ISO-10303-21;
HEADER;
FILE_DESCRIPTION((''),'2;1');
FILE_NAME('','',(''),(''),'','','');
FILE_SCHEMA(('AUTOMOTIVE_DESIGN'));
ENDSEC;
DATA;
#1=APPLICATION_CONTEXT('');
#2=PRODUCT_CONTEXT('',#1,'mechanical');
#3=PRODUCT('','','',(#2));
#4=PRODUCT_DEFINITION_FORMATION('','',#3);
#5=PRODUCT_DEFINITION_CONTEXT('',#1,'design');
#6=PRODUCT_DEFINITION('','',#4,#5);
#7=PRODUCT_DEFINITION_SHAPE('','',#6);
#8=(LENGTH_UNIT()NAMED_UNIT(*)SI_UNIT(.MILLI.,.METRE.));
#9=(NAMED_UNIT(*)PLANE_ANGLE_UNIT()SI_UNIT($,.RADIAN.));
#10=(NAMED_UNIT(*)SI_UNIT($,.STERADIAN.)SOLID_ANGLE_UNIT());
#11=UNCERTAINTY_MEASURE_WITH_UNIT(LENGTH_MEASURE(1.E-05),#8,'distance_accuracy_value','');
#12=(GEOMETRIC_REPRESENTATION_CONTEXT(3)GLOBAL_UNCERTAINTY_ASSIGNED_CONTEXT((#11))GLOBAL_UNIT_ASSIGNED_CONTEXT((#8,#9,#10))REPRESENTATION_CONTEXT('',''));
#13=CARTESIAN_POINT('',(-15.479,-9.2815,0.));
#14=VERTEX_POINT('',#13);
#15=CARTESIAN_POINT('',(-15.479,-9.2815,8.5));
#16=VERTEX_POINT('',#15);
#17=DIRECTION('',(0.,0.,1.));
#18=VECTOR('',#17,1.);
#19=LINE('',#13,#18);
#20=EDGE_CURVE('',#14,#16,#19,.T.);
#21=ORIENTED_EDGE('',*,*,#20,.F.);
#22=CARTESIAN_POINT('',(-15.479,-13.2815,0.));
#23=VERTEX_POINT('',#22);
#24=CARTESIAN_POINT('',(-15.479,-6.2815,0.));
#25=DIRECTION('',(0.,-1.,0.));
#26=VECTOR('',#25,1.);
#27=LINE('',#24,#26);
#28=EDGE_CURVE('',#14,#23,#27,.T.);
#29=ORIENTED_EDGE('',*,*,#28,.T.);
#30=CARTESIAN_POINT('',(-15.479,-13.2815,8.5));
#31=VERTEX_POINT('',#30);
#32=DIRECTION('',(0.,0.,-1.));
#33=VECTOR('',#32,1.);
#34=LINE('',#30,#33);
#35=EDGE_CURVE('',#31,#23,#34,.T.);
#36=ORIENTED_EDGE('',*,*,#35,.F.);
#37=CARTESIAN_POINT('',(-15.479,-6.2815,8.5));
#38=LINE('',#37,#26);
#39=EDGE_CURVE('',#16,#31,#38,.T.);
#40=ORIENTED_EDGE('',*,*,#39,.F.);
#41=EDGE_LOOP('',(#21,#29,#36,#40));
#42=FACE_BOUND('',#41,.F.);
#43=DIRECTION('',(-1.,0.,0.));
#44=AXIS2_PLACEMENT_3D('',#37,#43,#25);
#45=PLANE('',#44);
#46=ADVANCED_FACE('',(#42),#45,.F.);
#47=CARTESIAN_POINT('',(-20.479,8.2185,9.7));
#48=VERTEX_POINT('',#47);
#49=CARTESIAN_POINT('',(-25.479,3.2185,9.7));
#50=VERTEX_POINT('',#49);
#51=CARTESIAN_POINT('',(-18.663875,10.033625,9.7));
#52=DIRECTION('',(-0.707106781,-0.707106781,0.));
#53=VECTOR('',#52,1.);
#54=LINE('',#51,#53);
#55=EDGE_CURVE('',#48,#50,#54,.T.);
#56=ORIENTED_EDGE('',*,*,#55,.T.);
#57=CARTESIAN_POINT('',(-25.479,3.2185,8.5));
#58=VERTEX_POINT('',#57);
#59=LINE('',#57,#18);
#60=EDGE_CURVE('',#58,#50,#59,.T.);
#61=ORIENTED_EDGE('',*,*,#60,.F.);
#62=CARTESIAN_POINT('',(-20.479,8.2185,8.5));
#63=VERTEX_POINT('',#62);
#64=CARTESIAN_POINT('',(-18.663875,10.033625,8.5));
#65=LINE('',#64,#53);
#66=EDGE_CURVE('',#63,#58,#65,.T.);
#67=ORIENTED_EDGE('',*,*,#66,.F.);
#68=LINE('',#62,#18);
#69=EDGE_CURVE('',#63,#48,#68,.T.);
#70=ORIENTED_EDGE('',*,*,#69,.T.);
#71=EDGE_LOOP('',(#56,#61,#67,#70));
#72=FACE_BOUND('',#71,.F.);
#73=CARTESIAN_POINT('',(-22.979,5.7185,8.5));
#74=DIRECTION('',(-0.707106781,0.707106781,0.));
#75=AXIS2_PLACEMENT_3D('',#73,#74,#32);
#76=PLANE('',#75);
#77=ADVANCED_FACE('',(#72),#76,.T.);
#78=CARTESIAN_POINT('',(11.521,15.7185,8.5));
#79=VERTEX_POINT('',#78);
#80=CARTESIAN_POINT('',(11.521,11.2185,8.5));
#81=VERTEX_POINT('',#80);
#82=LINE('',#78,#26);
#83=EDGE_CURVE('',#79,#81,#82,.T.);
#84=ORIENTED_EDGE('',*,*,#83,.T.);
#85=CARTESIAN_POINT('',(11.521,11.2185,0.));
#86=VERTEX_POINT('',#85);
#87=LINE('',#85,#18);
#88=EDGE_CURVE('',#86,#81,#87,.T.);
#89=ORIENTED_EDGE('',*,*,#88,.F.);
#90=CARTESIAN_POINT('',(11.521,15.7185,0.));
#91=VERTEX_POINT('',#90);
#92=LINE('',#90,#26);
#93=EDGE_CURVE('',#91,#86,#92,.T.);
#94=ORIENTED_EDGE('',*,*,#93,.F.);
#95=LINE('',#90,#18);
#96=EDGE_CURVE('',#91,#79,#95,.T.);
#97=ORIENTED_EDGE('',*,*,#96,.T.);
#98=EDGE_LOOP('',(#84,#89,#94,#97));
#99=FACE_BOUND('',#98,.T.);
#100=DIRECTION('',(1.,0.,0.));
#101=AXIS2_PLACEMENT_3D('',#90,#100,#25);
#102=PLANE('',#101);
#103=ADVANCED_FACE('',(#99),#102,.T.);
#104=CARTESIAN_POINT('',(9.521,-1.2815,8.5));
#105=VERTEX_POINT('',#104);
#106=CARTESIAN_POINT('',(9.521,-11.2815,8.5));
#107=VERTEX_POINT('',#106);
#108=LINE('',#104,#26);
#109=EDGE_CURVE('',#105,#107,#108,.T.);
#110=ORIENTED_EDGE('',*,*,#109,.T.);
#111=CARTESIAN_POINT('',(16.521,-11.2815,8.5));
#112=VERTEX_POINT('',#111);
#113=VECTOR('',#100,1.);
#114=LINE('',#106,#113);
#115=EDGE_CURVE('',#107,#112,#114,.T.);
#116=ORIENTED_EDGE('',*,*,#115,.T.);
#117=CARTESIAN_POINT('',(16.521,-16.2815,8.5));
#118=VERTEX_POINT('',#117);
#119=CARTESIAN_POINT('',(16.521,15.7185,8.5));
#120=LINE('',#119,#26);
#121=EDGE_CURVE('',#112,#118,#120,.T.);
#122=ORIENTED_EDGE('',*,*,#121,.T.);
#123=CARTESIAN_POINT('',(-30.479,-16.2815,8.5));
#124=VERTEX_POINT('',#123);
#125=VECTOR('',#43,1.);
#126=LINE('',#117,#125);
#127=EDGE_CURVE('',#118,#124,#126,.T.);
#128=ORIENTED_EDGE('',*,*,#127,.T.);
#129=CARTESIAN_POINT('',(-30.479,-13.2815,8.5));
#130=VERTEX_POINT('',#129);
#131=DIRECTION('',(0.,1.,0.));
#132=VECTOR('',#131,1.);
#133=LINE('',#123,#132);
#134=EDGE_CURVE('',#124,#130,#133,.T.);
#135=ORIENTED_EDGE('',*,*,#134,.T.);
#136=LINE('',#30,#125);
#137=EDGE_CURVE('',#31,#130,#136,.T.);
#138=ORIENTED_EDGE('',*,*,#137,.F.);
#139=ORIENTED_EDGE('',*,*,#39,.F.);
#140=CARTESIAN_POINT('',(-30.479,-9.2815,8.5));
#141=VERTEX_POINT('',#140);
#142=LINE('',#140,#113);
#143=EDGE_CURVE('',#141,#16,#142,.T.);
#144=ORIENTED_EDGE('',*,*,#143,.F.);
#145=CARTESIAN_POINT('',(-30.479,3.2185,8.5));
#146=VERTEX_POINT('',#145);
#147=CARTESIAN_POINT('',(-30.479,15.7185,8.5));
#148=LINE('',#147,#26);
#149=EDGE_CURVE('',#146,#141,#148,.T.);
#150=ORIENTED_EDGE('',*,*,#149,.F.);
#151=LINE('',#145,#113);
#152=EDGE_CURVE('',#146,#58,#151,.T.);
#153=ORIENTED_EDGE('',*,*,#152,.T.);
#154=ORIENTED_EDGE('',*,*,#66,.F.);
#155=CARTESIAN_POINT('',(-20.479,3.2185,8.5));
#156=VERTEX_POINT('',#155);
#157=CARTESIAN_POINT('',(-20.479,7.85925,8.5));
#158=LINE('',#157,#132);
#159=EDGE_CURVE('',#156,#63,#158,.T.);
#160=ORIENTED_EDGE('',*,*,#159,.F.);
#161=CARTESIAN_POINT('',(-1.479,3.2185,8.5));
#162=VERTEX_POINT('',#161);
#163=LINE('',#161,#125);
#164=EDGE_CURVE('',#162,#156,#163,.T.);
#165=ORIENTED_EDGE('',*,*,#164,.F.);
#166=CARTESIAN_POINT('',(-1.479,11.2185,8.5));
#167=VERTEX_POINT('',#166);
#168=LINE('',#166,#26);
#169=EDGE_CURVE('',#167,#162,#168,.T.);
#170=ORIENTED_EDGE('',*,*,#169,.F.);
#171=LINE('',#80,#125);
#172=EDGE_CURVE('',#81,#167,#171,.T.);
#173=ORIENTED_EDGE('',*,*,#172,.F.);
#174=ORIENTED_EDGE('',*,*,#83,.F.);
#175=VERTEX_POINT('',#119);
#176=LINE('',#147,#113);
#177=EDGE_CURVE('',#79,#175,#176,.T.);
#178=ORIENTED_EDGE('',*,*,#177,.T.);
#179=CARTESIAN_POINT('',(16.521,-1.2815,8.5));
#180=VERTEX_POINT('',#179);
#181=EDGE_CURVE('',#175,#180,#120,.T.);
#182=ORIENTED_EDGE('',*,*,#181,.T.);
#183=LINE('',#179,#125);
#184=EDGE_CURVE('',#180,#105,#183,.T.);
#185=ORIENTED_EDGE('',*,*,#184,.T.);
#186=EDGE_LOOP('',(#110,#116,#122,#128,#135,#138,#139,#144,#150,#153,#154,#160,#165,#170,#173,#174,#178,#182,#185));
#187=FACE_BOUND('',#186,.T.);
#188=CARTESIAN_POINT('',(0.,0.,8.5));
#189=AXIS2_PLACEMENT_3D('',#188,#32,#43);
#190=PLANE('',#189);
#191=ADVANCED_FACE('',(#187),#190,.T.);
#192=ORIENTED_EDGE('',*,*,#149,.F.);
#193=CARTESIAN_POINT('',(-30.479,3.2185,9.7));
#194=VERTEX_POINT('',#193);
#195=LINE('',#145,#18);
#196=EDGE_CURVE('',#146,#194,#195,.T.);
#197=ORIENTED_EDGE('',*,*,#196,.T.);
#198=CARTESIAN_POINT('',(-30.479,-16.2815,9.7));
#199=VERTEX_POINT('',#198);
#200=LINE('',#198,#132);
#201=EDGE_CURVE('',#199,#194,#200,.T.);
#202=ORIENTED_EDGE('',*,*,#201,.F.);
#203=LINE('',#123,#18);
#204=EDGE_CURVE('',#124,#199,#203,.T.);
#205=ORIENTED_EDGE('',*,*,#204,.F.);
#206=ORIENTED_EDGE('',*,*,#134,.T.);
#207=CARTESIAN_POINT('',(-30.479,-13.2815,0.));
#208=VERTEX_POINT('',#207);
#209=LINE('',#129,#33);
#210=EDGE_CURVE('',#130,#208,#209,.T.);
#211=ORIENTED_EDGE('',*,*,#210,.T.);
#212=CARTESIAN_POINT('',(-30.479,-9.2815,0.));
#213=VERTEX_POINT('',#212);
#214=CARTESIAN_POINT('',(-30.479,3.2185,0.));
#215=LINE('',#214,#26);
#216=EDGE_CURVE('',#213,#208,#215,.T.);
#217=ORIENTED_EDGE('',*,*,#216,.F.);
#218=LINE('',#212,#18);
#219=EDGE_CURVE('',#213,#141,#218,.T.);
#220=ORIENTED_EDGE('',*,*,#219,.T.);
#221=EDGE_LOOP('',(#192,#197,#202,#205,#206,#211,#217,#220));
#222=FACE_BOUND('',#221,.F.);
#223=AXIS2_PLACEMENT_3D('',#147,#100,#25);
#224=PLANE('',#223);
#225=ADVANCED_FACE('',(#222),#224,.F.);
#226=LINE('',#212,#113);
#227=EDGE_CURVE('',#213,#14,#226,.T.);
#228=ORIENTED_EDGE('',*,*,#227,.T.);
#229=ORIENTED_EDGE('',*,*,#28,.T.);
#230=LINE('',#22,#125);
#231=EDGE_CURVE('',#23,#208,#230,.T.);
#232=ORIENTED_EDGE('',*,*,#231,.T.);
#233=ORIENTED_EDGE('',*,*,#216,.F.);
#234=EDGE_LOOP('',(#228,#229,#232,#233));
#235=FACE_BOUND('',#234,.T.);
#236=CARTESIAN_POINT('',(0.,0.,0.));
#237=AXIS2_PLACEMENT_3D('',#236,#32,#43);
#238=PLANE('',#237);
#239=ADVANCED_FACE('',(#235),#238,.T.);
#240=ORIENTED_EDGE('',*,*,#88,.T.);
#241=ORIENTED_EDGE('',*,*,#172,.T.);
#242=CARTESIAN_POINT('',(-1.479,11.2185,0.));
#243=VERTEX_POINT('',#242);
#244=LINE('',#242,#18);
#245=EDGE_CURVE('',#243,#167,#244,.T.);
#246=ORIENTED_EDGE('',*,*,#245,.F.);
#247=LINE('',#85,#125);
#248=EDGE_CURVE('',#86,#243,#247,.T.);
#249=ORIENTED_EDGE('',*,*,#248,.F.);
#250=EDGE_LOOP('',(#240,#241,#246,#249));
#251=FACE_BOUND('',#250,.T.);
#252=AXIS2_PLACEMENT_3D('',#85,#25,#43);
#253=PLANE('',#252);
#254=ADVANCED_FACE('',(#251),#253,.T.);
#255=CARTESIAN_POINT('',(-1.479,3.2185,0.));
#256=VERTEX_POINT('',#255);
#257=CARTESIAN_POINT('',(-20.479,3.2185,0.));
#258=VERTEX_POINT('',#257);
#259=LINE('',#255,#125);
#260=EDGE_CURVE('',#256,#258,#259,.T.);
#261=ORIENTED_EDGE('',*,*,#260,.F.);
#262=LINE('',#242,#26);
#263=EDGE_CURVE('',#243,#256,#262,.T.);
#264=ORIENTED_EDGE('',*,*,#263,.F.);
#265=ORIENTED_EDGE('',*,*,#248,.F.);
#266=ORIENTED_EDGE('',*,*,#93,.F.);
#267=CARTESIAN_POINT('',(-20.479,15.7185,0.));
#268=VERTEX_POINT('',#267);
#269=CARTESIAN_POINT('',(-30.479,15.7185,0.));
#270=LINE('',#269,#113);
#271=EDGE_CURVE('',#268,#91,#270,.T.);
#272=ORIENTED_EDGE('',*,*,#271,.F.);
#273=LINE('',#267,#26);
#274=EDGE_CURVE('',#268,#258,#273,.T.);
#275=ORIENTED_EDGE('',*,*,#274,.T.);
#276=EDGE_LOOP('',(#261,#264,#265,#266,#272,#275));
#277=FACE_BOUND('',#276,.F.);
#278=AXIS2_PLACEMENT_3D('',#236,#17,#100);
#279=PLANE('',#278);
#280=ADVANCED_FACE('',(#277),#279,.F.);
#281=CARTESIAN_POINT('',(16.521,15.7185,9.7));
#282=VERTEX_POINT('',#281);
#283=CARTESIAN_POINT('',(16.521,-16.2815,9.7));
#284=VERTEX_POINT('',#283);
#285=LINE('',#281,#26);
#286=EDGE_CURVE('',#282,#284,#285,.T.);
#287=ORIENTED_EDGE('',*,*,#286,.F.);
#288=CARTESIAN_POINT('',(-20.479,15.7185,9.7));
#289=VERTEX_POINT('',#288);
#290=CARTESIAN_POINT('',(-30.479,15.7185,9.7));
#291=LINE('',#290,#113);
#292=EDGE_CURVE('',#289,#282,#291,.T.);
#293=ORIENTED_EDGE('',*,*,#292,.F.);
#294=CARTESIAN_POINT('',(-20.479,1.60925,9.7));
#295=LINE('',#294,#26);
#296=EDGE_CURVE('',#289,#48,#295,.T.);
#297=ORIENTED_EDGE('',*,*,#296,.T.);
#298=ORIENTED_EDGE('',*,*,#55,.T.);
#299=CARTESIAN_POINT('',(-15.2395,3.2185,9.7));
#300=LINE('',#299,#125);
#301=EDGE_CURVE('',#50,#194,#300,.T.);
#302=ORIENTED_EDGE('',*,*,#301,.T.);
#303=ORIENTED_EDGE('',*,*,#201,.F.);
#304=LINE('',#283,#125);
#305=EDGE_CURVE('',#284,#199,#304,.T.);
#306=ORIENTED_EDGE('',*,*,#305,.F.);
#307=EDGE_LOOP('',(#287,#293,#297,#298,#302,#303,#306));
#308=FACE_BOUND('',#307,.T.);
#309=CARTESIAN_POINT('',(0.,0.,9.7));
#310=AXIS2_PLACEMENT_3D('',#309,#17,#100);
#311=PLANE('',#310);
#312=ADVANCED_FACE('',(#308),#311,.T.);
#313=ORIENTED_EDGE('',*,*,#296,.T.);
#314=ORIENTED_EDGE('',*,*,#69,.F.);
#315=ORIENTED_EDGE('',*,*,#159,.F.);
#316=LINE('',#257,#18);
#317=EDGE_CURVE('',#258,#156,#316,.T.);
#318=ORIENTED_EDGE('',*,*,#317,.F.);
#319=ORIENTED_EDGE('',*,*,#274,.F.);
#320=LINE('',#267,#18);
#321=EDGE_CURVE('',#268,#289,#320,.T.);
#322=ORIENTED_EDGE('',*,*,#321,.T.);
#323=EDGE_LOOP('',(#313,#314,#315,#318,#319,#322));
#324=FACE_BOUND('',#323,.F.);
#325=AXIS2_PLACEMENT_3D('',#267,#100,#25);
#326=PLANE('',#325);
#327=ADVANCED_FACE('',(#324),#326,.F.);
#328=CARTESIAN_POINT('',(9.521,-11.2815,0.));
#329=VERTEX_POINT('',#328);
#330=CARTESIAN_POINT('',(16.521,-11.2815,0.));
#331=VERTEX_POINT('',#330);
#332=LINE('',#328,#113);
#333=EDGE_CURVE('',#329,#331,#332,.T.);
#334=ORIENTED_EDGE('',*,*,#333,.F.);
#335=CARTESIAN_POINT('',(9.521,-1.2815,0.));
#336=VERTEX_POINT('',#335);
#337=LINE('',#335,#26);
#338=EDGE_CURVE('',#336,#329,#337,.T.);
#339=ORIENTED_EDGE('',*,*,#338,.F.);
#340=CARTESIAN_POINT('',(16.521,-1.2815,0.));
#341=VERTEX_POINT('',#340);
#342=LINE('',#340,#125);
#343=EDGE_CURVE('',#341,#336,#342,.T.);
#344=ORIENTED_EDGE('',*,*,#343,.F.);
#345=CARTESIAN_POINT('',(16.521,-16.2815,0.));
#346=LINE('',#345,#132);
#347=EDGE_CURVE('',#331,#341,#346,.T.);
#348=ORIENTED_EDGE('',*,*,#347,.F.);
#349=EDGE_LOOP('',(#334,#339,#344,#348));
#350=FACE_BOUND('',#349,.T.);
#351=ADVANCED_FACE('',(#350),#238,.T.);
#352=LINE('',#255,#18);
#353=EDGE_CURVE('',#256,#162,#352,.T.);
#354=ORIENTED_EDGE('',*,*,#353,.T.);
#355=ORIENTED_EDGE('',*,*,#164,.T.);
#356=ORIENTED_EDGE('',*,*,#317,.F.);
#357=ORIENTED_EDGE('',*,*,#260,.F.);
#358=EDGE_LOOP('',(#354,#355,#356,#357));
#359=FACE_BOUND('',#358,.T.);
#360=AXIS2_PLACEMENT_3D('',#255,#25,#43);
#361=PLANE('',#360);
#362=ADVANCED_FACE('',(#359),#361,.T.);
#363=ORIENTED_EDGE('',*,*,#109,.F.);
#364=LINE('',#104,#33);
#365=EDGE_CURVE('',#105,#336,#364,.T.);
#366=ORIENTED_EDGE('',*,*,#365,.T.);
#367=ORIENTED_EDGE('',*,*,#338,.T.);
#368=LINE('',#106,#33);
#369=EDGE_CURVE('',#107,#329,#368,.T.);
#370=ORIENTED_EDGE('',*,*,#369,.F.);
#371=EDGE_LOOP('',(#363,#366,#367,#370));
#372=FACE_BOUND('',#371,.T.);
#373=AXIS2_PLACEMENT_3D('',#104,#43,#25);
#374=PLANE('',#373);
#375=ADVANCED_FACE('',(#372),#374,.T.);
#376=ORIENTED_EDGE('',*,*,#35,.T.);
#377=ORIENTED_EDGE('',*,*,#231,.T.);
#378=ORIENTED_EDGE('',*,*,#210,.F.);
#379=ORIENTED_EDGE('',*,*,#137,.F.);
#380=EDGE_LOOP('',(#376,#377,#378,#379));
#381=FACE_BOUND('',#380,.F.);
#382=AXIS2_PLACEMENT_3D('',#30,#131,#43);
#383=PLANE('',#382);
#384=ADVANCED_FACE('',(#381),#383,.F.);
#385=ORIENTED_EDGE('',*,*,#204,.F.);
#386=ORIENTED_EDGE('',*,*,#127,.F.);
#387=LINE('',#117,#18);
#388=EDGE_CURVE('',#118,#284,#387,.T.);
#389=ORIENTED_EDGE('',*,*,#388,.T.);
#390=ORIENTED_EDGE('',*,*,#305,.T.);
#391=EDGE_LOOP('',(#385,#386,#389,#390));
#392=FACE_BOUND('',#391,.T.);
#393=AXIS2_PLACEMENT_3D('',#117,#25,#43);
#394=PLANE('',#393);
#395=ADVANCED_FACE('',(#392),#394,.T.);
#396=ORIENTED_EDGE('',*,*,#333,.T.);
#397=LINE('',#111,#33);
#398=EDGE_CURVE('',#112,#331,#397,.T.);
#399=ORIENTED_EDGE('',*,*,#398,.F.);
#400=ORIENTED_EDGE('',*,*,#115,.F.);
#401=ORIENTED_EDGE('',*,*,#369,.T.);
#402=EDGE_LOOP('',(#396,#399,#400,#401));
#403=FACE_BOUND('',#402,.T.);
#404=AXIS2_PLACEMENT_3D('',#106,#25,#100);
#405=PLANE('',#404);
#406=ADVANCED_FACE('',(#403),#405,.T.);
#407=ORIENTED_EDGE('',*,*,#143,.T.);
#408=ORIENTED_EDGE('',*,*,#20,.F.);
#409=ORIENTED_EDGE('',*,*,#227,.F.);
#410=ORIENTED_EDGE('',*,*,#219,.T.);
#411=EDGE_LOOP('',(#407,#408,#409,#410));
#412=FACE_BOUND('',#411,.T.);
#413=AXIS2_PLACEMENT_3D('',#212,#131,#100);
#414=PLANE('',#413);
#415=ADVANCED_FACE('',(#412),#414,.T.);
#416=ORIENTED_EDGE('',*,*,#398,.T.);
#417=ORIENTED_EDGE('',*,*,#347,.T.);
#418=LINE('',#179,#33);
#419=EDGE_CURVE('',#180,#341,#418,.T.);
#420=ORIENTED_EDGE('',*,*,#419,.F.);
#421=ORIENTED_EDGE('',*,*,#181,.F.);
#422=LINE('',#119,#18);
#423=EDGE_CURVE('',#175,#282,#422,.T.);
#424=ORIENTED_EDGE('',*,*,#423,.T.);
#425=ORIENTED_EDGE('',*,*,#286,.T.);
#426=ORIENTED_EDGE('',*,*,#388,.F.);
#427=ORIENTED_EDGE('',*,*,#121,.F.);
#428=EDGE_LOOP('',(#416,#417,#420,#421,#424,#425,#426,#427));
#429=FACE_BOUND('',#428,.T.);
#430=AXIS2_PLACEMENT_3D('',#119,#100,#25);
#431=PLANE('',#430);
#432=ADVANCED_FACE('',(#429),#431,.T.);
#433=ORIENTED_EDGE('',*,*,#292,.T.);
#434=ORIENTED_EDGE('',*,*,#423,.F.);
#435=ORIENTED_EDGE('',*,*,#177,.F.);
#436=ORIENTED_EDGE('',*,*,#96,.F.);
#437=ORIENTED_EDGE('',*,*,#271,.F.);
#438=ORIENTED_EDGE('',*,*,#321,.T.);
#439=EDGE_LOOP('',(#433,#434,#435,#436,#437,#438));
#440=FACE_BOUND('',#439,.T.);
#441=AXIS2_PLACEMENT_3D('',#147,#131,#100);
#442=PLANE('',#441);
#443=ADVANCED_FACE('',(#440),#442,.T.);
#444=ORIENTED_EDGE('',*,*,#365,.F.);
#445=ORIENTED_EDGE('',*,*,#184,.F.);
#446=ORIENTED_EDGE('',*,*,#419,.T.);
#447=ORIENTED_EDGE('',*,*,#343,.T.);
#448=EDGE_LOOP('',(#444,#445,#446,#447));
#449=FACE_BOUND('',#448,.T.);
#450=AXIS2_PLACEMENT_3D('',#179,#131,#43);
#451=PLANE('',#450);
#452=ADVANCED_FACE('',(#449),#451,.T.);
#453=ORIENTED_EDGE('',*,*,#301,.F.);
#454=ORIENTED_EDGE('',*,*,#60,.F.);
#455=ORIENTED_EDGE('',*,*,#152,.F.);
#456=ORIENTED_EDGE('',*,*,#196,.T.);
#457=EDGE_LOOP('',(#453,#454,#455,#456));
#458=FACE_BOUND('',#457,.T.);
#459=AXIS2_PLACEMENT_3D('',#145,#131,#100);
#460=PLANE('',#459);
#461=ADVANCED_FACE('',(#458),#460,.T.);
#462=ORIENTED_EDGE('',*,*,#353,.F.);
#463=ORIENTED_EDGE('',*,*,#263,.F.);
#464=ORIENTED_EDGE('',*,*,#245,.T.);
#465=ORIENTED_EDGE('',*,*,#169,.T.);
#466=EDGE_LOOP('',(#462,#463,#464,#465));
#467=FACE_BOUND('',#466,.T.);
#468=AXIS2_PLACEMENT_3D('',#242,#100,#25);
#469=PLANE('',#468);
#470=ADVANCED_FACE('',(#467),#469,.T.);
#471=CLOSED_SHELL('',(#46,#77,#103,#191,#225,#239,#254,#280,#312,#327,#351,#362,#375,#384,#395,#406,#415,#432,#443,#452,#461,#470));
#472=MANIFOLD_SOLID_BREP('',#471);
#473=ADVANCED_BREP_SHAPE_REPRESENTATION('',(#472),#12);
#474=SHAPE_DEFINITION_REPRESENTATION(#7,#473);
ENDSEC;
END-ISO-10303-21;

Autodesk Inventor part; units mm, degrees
ref_plane "YZ Plane" through (0, 0, 0) normal (1, 0, 0) x (0, 1, 0)
ref_plane "XZ Plane" through (0, 0, 0) normal (0, 1, 0) x (-1, 0, 0)
ref_plane "XY Plane" through (0, 0, 0) normal (0, 0, 1) x (1, 0, 0)
sketch "Sketch1" plane through (0, 0, 0) normal (0, 0, 1) x (1, 0, 0)
  line L0 (-30.479, 15.7185) -> (11.521, 15.7185)
  line L1 (11.521, 15.7185) -> (11.521, 11.2185)
  line L2 (11.521, 11.2185) -> (-30.479, 11.2185)
  line L3 (-30.479, 11.2185) -> (-30.479, 15.7185)
  line L4 (-30.479, 11.2185) -> (-1.479, 11.2185)
  line L5 (-1.479, 11.2185) -> (-1.479, 3.2185)
  line L6 (-1.479, 3.2185) -> (-30.479, 3.2185)
  line L7 (-30.479, 3.2185) -> (-30.479, 11.2185)
  point P0 (0, 0)
  point P1 (-1.479, 11.2185)
  dimension "d0" = 42
  dimension "d1" = 4.5
  dimension "d2" = 29
  dimension "d3" = 8
extrude "Extrusion1" add sketch "Sketch1" along normal blind 8.5
sketch "Sketch2" plane through (0, 0, 8.5) normal (0, 0, 1) x (1, 0, 0)
  line L0 (-30.479, 15.7185) -> (-30.479, 3.2185) projected
  line L1 (-30.479, 15.7185) -> (16.521, 15.7185)
  line L2 (16.521, 15.7185) -> (16.521, -16.2815)
  line L3 (16.521, -16.2815) -> (-30.479, -16.2815)
  line L4 (-30.479, -16.2815) -> (-30.479, 15.7185)
  point P0 (0, 0)
  dimension "d6" = 47
  dimension "d7" = 32
extrude "Extrusion2" add sketch "Sketch2" along normal blind 1.2
sketch "Sketch3" plane through (0, 0, 8.5) normal (0, 0, -1) x (-1, 0, 0)
  line L0 (30.479, 3.2185) -> (30.479, -16.2815) projected
  line L1 (30.479, -6.2815) -> (15.479, -6.2815)
  line L2 (15.479, -6.2815) -> (15.479, -13.2815)
  line L3 (15.479, -13.2815) -> (30.479, -13.2815)
  line L4 (30.479, -13.2815) -> (30.479, -6.2815)
  line L5 (30.479, -16.2815) -> (-16.521, -16.2815) projected
  point P0 (0, 0)
  dimension "d10" = 3
  dimension "d11" = 7
  dimension "d12" = 15
extrude "Extrusion3" add sketch "Sketch3" along normal blind 8.5
sketch "Sketch4" plane through (0, 0, 8.5) normal (0, 0, -1) x (-1, 0, 0)
  line L0 (-16.521, -16.2815) -> (-16.521, 15.7185) projected
  line L1 (-16.521, -1.2815) -> (-9.521, -1.2815)
  line L2 (-9.521, -1.2815) -> (-9.521, -11.2815)
  line L3 (-9.521, -11.2815) -> (-16.521, -11.2815)
  line L4 (-16.521, -11.2815) -> (-16.521, -1.2815)
  line L5 (30.479, -16.2815) -> (-16.521, -16.2815) projected
  point P0 (0, 0)
  dimension "d15" = 7
  dimension "d16" = 10
  dimension "d17" = 5
extrude "Extrusion4" add sketch "Sketch4" along normal blind 8.5
sketch "Sketch5" plane through (0, 0, 0) normal (0, 0, -1) x (-1, 0, 0)
  line L0 (-16.521, 15.7185) -> (30.479, 15.7185) projected
  line L1 (30.479, 3.2185) -> (1.479, 3.2185) projected
  line L2 (30.479, 15.7185) -> (20.479, 15.7185)
  line L3 (20.479, 15.7185) -> (20.479, 3.2185)
  line L4 (20.479, 3.2185) -> (30.479, 3.2185)
  line L5 (30.479, 3.2185) -> (30.479, 15.7185)
  point P0 (0, 0)
  dimension "d20" = 10
extrude "Extrusion5" cut sketch "Sketch5" against normal blind 8.5
sketch "Sketch6" plane through (0, 0, 0) normal (0, 0, -1) x (-1, 0, 0)
  line L0 (15.479, -6.2815) -> (30.479, -6.2815) projected
  line L1 (15.479, -6.2815) -> (30.479, -6.2815)
  line L2 (30.479, -6.2815) -> (30.479, -9.2815)
  line L3 (30.479, -9.2815) -> (15.479, -9.2815)
  line L4 (15.479, -9.2815) -> (15.479, -6.2815)
  line L5 (30.479, -13.2815) -> (30.479, -6.2815) projected
  point P0 (0, 0)
  dimension "d23" = 3
extrude "Extrusion6" cut sketch "Sketch6" against normal blind 8.5
sketch "Sketch7" plane through (0, 0, 8.5) normal (0, 0, -1) x (-1, 0, 0)
  line L0 (-16.521, 15.7185) -> (30.479, 15.7185) projected
  line L1 (20.479, 15.7185) -> (30.479, 15.7185)
  line L2 (30.479, 15.7185) -> (30.479, 3.2185)
  line L3 (30.479, 3.2185) -> (20.479, 3.2185)
  line L4 (20.479, 3.2185) -> (20.479, 15.7185)
  line L5 (20.479, 3.2185) -> (1.479, 3.2185) projected
  line L6 (30.479, 15.7185) -> (30.479, -9.2815) projected
  line L7 (20.479, 3.2185) -> (20.479, 15.7185) projected
  point P0 (0, 0)
extrude "Extrusion7" cut sketch "Sketch7" against normal blind 8.5
chamfer "Chamfer1" distance 5 angle 45 1 edges at (-20.479, 3.2185, 9.1)
properties part number "PD board supporter"
